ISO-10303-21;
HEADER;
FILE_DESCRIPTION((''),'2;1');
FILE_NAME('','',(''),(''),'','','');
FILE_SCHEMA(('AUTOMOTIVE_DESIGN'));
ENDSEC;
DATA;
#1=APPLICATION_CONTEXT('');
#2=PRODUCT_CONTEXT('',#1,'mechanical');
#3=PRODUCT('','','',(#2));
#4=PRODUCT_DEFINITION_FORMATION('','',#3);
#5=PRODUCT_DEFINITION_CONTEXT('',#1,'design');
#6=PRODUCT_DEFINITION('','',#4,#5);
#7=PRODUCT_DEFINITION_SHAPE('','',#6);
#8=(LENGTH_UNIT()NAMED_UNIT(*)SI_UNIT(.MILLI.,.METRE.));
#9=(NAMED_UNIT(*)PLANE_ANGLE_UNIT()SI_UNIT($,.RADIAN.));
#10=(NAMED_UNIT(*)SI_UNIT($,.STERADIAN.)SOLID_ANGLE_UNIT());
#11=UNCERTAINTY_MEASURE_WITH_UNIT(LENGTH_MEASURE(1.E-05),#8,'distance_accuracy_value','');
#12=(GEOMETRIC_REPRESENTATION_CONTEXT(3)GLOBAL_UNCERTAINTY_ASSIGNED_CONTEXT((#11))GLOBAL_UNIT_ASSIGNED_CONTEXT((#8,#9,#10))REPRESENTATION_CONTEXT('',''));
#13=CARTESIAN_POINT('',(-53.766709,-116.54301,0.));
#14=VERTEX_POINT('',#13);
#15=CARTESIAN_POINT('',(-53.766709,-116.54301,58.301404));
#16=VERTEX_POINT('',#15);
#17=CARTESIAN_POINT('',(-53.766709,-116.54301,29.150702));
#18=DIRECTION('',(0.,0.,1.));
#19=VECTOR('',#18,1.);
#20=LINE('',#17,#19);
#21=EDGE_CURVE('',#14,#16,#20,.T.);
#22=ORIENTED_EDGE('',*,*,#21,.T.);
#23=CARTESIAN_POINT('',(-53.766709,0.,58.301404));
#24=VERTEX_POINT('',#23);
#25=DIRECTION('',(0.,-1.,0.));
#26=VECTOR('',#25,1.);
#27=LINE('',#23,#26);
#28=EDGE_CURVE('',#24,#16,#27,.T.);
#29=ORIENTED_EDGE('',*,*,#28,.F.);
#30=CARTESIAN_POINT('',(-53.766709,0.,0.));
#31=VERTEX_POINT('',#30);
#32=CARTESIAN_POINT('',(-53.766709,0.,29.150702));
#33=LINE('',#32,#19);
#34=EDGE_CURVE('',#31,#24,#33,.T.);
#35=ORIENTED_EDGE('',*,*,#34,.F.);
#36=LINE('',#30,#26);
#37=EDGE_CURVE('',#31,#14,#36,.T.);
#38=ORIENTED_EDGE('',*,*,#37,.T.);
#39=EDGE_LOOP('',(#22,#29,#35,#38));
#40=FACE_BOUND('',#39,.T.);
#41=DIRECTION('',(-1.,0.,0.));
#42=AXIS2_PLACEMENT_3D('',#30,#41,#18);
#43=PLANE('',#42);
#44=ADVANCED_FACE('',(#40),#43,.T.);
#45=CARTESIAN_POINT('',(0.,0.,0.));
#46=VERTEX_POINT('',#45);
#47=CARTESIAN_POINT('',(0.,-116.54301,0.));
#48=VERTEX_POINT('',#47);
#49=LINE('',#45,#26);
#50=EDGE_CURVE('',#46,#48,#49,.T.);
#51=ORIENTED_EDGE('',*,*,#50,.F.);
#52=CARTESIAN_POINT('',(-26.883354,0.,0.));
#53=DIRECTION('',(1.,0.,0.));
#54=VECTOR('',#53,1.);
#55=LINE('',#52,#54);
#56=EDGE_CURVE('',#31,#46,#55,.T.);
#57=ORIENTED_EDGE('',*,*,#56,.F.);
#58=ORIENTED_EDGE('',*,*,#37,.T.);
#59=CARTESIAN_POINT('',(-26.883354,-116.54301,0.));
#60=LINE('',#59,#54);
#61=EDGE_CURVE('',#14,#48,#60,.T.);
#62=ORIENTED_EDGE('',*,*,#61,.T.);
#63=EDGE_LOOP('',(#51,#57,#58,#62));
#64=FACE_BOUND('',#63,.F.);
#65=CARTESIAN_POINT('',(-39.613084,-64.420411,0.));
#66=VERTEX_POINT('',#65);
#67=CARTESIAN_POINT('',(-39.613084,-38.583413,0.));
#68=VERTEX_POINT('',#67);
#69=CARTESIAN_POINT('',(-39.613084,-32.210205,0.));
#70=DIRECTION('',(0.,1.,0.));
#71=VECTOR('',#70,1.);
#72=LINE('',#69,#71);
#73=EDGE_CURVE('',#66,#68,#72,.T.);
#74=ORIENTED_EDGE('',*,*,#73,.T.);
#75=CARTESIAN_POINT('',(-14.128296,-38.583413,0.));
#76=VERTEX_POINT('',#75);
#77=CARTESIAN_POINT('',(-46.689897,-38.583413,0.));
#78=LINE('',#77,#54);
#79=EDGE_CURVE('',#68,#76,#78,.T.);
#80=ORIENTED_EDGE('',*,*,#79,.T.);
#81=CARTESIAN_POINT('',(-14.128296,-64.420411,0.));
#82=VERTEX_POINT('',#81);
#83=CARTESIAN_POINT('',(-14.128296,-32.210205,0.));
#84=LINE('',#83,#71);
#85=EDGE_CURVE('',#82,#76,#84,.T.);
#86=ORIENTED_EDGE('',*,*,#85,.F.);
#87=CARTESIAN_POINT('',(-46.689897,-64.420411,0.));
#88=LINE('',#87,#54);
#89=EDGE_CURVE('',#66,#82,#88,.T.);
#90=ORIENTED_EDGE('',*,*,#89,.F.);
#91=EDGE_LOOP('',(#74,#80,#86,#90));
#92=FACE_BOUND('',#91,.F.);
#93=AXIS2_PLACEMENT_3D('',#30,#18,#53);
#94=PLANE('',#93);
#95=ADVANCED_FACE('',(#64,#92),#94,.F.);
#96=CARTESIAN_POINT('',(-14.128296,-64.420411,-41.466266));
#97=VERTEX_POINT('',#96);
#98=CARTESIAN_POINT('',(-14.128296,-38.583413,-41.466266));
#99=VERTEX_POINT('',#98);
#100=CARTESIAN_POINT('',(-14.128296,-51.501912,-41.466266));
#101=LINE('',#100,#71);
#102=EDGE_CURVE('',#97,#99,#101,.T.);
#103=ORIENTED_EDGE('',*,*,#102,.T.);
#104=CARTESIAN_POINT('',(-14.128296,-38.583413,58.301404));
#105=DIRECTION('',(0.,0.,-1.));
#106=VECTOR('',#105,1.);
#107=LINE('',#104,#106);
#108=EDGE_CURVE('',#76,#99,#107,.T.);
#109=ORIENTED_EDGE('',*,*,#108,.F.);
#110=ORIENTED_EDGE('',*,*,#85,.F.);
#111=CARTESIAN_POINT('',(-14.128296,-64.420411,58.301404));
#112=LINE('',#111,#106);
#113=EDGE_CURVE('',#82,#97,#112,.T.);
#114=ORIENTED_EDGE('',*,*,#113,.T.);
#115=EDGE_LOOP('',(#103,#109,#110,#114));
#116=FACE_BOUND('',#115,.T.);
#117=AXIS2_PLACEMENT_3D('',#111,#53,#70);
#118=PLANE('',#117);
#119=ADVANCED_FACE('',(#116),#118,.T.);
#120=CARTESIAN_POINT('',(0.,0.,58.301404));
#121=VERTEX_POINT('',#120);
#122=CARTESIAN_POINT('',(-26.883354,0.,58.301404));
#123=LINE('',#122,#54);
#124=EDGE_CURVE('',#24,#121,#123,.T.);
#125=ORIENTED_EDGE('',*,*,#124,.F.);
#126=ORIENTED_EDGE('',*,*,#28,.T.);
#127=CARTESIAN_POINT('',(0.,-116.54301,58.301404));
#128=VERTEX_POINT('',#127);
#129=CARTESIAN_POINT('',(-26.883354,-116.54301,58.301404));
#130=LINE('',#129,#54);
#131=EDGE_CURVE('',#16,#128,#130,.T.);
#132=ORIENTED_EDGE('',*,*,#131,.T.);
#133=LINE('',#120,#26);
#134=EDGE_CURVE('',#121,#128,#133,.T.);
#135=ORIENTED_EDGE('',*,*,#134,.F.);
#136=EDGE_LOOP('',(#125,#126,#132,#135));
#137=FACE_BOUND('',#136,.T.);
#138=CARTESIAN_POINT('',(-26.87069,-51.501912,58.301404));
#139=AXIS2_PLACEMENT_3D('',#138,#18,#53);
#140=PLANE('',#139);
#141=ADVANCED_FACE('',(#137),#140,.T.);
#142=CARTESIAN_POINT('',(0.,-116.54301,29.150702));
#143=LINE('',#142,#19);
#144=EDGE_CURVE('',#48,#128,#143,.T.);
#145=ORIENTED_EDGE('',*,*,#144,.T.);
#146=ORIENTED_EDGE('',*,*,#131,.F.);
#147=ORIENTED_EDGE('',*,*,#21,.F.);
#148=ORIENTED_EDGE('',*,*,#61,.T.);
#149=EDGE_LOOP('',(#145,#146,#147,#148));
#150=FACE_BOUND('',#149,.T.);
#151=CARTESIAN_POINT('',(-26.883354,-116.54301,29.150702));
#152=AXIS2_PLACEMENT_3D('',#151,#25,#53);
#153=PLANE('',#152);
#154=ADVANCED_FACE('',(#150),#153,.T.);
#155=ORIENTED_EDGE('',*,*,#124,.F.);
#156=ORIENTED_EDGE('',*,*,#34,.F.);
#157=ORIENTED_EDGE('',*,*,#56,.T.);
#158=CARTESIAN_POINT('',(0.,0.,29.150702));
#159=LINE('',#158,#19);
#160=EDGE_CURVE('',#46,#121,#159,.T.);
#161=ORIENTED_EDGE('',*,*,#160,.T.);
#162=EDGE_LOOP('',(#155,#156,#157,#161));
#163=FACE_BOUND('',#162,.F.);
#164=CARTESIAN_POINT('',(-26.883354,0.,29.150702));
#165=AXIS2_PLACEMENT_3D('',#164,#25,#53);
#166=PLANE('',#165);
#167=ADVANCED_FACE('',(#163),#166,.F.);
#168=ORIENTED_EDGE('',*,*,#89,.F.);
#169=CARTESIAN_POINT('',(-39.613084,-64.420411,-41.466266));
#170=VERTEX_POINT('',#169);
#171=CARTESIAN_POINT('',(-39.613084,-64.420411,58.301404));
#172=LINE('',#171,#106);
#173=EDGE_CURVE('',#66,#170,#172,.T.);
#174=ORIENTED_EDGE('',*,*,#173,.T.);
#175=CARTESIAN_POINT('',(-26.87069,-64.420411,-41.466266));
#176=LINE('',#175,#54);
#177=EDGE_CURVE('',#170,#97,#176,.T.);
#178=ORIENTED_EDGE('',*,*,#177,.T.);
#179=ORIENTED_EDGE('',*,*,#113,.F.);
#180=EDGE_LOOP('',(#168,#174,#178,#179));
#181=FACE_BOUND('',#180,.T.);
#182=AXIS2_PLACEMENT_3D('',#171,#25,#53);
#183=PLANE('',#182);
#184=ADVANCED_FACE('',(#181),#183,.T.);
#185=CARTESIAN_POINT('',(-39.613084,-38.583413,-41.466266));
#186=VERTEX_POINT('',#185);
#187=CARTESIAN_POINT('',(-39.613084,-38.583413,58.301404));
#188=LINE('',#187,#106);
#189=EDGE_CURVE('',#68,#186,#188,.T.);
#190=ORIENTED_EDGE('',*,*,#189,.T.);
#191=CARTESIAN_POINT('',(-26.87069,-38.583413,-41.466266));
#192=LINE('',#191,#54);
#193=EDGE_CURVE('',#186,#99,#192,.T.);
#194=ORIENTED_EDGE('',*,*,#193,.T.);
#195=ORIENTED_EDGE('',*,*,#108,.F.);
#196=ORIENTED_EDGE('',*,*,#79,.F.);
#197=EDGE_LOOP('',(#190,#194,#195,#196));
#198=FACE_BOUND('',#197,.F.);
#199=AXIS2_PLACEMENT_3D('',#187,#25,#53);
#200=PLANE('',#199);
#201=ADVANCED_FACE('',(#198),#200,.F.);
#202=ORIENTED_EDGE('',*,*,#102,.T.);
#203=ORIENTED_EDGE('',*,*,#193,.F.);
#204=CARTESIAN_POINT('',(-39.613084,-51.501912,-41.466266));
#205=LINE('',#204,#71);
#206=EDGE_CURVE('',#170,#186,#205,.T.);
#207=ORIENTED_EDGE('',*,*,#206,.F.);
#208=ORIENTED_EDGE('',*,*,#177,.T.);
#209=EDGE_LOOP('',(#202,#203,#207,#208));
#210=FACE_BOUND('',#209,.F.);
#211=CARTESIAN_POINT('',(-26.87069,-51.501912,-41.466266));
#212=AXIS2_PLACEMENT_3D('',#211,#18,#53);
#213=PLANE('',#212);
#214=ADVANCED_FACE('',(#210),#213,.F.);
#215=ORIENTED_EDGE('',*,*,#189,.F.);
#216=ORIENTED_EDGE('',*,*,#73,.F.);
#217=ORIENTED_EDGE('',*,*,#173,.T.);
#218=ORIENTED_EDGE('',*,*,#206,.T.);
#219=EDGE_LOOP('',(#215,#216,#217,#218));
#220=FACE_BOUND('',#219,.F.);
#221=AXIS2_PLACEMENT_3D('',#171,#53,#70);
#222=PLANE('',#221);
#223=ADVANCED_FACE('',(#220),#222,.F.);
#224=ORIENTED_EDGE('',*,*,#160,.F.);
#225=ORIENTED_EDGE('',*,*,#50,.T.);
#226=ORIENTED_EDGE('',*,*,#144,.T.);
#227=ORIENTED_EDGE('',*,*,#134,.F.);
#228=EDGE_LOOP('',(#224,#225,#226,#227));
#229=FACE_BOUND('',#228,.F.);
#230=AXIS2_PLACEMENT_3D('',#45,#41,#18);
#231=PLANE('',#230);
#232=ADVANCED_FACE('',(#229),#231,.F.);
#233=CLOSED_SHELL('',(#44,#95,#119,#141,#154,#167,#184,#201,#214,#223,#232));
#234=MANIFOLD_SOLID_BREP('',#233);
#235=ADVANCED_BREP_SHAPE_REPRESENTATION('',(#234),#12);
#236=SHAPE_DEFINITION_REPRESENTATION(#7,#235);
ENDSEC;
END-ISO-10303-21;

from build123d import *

# Parameters (mm, degrees)
F0_W     = 53.766709
F0_H     = 58.301404
F1_DEPTH = 116.54301
F2_W     = 25.484789
F2_H     = 25.836997
F3_DEPTH = 99.76767


with BuildPart() as f1:
    # F0 (on Front) → F1 (new body)
    with BuildSketch(Plane.XZ):
        with Locations((-26.883354, 29.150702)):
            Rectangle(F0_W, F0_H)
    extrude(amount=F1_DEPTH)

    # F2 (on face) → F3 (join)
    with BuildSketch(Plane.XY.offset(58.301404)):
        with Locations((-26.87069, -51.501912)):
            Rectangle(F2_W, F2_H)
    extrude(amount=-F3_DEPTH)


solid = f1.part
